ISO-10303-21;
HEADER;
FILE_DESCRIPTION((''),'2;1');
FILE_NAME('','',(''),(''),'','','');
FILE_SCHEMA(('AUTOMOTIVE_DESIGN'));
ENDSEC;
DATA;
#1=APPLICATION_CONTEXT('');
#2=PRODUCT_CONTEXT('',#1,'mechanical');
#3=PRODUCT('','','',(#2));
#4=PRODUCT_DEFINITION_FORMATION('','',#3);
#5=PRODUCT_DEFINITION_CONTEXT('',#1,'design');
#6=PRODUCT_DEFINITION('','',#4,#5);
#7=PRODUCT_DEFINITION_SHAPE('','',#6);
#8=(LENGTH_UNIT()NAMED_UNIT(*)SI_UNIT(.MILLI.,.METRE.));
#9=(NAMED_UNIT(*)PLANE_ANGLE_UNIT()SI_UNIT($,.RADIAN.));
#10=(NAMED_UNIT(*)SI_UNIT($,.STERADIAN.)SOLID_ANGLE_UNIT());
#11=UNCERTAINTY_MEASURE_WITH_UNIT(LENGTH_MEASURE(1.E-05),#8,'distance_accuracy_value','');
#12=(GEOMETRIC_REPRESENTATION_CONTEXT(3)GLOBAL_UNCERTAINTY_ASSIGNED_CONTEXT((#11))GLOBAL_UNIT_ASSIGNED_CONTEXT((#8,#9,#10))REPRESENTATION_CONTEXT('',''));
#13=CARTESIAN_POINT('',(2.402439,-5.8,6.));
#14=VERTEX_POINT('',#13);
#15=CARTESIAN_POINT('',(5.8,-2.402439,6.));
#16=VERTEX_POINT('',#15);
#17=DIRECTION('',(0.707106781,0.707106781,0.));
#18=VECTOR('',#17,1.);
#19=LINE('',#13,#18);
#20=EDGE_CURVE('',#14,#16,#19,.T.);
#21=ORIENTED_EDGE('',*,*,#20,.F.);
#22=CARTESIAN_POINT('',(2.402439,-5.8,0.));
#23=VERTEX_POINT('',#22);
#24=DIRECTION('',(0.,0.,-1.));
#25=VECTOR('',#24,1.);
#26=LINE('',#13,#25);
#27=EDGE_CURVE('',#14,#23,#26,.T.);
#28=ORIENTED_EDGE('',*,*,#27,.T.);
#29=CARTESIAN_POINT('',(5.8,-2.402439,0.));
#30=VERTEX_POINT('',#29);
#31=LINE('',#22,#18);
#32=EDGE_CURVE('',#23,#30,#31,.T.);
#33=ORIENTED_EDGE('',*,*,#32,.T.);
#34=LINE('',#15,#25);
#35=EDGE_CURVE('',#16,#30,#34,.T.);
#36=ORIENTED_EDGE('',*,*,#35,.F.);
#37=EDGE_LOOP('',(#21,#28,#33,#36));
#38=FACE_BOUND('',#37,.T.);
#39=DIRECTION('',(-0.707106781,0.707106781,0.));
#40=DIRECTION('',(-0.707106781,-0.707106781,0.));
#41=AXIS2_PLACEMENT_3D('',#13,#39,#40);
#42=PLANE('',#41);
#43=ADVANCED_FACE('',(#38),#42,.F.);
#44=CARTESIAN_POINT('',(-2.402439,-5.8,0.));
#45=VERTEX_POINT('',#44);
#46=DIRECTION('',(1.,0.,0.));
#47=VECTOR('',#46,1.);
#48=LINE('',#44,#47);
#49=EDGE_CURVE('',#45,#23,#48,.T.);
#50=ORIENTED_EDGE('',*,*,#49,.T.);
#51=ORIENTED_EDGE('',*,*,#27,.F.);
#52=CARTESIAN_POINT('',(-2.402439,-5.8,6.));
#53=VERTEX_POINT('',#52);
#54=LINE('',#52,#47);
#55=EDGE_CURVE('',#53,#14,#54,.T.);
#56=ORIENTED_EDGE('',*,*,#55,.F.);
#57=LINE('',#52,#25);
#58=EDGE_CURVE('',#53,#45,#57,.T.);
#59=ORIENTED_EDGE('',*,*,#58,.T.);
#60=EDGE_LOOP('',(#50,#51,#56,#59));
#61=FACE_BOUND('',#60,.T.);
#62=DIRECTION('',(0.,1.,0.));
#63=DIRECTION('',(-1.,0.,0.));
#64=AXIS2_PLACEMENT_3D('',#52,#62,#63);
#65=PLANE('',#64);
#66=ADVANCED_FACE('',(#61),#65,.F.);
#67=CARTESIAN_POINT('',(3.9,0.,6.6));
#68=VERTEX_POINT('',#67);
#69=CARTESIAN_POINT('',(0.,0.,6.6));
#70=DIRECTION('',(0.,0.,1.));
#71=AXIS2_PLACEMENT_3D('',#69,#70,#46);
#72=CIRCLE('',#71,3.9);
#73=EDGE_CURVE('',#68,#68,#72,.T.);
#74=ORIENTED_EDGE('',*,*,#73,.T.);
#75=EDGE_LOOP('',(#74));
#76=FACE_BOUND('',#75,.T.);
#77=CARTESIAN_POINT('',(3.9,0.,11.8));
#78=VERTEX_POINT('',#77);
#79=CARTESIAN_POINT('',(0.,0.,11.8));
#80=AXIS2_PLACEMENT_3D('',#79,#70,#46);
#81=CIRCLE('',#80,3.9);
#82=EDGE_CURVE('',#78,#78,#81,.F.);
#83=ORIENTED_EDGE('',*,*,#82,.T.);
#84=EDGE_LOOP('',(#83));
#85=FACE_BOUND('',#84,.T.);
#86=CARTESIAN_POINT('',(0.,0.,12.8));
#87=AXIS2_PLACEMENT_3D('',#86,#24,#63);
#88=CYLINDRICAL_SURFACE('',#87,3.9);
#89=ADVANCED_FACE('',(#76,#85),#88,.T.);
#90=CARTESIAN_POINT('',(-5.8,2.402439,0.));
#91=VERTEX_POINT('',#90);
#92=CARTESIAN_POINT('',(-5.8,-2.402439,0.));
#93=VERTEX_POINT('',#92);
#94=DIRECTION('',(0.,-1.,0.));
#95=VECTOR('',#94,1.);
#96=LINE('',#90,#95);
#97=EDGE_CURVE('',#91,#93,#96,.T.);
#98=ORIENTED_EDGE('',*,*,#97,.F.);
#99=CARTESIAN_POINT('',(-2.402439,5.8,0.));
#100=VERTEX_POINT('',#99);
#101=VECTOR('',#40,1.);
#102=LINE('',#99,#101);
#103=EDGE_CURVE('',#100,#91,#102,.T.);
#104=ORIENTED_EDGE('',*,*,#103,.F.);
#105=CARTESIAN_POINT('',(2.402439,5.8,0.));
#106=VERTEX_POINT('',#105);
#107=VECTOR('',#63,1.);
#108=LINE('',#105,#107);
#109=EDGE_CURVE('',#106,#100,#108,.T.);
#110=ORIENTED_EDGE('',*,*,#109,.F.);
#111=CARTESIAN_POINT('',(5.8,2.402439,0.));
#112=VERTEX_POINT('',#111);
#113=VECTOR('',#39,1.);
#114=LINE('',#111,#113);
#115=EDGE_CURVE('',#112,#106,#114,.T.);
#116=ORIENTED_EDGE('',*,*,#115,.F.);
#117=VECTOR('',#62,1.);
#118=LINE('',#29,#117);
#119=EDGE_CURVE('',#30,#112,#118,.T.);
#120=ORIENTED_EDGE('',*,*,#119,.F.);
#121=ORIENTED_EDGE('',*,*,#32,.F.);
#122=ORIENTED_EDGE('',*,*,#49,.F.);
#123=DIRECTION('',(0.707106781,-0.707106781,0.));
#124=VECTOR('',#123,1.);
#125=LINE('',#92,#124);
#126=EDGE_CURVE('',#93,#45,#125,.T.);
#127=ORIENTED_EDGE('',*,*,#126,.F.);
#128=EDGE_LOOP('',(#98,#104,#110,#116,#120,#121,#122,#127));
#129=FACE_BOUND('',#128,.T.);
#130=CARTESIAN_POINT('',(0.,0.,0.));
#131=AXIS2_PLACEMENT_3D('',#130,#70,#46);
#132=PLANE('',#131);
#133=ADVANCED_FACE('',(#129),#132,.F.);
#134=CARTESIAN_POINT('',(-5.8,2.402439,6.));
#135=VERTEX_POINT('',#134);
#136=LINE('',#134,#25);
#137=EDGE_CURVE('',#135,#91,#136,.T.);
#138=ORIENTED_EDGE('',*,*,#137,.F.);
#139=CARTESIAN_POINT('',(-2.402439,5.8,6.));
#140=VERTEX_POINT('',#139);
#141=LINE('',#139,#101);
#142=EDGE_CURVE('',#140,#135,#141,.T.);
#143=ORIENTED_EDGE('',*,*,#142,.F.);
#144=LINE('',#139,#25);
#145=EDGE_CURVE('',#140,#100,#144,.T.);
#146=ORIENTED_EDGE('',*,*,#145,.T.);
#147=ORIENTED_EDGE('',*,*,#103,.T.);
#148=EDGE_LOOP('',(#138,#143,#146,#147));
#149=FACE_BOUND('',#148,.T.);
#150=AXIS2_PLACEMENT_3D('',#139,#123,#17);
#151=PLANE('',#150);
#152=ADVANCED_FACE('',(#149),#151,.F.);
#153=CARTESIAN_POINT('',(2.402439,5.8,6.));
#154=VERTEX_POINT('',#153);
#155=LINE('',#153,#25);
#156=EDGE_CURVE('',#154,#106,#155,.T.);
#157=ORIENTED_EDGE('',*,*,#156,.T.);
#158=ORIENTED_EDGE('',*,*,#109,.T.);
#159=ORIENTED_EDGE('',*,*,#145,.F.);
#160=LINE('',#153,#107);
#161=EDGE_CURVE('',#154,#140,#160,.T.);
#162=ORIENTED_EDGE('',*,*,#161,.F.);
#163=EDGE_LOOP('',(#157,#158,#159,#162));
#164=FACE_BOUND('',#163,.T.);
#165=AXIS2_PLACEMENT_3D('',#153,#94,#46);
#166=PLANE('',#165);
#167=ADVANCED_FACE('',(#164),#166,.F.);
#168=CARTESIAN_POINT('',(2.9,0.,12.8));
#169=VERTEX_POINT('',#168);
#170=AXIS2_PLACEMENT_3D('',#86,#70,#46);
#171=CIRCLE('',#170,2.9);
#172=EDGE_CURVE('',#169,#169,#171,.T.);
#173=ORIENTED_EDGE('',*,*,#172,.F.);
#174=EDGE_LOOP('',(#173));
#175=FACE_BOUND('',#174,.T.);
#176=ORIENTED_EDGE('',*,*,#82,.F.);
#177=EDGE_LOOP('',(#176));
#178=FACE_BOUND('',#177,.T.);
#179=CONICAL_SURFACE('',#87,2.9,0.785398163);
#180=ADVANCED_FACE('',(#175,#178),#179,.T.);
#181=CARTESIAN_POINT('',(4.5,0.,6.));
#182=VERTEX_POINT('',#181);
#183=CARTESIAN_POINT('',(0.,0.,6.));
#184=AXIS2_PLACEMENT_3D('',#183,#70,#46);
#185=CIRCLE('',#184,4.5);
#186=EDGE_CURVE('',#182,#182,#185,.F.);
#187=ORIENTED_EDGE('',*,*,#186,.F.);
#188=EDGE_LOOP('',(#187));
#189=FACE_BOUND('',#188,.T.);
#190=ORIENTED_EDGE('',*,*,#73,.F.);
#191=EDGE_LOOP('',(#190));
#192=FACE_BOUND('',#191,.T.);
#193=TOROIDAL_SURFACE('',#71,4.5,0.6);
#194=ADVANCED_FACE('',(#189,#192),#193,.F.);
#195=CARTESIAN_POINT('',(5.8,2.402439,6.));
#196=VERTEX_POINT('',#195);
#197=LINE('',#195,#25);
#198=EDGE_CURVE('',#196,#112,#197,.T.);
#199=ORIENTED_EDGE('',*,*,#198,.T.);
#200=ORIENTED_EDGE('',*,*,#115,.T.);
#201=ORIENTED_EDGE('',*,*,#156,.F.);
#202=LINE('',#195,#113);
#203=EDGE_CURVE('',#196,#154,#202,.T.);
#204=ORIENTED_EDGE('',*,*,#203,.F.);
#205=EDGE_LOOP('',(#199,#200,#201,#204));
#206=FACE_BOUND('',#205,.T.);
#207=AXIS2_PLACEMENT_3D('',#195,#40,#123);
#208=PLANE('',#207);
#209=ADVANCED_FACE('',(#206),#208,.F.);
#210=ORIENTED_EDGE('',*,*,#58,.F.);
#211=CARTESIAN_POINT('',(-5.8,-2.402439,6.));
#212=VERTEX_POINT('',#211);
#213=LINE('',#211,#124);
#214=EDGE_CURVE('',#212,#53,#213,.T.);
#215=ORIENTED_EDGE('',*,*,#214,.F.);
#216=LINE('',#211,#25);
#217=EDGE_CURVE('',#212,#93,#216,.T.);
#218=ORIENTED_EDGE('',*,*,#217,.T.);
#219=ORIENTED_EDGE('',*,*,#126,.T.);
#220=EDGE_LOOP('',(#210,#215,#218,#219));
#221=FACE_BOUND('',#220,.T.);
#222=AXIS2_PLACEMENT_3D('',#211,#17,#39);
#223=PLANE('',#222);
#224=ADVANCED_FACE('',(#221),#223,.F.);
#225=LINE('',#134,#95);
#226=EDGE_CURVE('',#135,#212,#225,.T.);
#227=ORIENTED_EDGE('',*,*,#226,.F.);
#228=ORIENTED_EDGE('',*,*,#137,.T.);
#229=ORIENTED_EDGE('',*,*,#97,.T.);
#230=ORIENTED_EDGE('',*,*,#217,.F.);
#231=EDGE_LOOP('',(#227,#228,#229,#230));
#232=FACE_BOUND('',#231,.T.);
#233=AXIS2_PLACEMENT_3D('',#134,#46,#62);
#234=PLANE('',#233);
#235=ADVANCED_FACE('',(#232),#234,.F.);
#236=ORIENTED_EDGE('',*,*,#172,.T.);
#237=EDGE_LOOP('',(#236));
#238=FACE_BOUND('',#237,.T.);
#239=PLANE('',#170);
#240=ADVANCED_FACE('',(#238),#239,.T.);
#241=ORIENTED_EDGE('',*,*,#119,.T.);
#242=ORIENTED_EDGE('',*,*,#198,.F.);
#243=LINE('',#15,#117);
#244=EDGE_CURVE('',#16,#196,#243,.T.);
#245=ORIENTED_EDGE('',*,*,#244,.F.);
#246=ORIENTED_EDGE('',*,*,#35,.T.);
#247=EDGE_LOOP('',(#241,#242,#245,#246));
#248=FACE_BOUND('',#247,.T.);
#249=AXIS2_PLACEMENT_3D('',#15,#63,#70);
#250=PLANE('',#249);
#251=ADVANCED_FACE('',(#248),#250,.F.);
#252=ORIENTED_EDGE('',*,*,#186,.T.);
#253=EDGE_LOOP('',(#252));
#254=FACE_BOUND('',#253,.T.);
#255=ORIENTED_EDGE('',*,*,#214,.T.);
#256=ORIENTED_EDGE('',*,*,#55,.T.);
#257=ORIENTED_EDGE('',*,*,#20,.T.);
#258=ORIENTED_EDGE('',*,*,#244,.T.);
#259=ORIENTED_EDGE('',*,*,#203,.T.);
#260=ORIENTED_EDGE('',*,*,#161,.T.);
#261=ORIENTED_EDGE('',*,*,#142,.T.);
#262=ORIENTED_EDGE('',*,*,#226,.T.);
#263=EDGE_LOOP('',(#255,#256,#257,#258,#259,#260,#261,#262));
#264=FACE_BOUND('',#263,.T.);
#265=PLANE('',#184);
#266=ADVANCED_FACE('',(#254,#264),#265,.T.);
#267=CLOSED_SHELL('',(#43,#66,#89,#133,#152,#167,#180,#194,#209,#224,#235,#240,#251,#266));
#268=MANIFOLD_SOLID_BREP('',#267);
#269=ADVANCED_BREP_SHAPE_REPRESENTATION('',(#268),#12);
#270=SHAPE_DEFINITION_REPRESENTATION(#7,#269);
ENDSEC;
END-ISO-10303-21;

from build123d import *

# Parameters (mm, degrees)
SALIENTE_EXTRUIR1_DEPTH = 6
CROQUIS2_R              = 3.9
SALIENTE_EXTRUIR2_DEPTH = 6.8
CHAFL_N1_SIZE           = 1
REDONDEO1_R             = 0.6


with BuildPart() as part:
    # Croquis1 → Saliente-Extruir1 (new body)
    with BuildSketch(Plane(origin=(0, 0, 0), x_dir=(0, 1, 0), z_dir=(0, 0, 1))):
        Polygon((5.8, -2.402438662), (5.8, 2.402438662), (2.402438662, 5.8), (-2.402438662, 5.8), (-5.8, 2.402438662), (-5.8, -2.402438662), (-2.402438662, -5.8), (2.402438662, -5.8), align=None)
    extrude(amount=SALIENTE_EXTRUIR1_DEPTH)

    # Croquis2 → Saliente-Extruir2 (add)
    with BuildSketch(Plane.XY.offset(6)):
        Circle(CROQUIS2_R)
    extrude(amount=SALIENTE_EXTRUIR2_DEPTH)

    # Chaflán1
    chafl_n1_edges = [part.edges().sort_by_distance(p)[0] for p in [
        (-3.9, 0, 12.8),
    ]]
    chamfer(chafl_n1_edges, length=CHAFL_N1_SIZE)

    # Redondeo1
    redondeo1_edges = [part.edges().sort_by_distance(p)[0] for p in [
        (-3.9, 0, 6),
    ]]
    fillet(redondeo1_edges, radius=REDONDEO1_R)


solid = part.part
